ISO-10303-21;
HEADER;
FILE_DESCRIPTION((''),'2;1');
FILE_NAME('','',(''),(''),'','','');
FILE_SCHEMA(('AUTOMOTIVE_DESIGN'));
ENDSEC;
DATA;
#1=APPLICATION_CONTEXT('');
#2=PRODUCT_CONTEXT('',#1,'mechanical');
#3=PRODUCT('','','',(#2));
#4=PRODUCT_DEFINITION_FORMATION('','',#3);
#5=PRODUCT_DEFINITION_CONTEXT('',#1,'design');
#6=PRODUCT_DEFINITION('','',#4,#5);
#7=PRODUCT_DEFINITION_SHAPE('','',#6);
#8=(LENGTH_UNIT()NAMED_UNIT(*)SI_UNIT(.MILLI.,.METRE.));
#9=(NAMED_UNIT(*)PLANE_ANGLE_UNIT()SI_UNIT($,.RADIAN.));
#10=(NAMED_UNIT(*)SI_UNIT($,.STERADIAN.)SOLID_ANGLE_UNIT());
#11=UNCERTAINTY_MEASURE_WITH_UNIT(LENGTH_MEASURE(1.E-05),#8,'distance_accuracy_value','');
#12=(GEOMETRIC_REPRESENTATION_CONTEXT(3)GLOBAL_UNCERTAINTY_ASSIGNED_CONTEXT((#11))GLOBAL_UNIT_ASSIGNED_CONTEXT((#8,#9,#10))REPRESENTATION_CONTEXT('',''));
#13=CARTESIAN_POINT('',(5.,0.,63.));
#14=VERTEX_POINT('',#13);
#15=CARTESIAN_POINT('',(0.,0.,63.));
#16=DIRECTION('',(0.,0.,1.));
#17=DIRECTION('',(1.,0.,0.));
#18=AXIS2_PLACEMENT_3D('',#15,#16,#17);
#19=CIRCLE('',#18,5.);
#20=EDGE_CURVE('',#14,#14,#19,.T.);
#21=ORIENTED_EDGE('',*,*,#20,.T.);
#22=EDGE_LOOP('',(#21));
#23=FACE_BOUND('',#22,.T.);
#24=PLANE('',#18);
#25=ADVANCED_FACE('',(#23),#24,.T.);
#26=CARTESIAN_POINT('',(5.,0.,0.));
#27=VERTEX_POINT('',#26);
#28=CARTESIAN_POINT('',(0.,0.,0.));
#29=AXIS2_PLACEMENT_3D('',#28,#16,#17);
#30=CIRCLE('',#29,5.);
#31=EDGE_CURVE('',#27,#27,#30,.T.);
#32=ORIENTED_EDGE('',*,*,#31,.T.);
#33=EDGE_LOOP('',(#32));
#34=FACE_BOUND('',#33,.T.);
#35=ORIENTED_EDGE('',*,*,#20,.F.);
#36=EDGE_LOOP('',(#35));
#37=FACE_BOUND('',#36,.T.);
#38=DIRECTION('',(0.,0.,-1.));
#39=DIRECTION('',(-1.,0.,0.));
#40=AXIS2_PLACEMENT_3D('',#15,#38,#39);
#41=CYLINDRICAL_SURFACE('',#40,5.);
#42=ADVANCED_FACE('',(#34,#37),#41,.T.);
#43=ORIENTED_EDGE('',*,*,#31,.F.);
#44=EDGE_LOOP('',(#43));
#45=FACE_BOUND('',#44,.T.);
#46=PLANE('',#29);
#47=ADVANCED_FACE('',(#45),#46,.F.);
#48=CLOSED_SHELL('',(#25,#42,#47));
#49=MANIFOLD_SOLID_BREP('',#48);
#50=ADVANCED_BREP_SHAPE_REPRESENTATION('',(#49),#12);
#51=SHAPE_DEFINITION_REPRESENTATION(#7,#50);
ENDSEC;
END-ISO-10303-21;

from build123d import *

# Parameters (mm, degrees)
SKETCH1_R           = 5
BOSS_EXTRUDE1_DEPTH = 63


with BuildPart() as part:
    # Sketch1 → Boss-Extrude1 (new body)
    with BuildSketch(Plane.XY):
        Circle(SKETCH1_R)
    extrude(amount=BOSS_EXTRUDE1_DEPTH)


solid = part.part
